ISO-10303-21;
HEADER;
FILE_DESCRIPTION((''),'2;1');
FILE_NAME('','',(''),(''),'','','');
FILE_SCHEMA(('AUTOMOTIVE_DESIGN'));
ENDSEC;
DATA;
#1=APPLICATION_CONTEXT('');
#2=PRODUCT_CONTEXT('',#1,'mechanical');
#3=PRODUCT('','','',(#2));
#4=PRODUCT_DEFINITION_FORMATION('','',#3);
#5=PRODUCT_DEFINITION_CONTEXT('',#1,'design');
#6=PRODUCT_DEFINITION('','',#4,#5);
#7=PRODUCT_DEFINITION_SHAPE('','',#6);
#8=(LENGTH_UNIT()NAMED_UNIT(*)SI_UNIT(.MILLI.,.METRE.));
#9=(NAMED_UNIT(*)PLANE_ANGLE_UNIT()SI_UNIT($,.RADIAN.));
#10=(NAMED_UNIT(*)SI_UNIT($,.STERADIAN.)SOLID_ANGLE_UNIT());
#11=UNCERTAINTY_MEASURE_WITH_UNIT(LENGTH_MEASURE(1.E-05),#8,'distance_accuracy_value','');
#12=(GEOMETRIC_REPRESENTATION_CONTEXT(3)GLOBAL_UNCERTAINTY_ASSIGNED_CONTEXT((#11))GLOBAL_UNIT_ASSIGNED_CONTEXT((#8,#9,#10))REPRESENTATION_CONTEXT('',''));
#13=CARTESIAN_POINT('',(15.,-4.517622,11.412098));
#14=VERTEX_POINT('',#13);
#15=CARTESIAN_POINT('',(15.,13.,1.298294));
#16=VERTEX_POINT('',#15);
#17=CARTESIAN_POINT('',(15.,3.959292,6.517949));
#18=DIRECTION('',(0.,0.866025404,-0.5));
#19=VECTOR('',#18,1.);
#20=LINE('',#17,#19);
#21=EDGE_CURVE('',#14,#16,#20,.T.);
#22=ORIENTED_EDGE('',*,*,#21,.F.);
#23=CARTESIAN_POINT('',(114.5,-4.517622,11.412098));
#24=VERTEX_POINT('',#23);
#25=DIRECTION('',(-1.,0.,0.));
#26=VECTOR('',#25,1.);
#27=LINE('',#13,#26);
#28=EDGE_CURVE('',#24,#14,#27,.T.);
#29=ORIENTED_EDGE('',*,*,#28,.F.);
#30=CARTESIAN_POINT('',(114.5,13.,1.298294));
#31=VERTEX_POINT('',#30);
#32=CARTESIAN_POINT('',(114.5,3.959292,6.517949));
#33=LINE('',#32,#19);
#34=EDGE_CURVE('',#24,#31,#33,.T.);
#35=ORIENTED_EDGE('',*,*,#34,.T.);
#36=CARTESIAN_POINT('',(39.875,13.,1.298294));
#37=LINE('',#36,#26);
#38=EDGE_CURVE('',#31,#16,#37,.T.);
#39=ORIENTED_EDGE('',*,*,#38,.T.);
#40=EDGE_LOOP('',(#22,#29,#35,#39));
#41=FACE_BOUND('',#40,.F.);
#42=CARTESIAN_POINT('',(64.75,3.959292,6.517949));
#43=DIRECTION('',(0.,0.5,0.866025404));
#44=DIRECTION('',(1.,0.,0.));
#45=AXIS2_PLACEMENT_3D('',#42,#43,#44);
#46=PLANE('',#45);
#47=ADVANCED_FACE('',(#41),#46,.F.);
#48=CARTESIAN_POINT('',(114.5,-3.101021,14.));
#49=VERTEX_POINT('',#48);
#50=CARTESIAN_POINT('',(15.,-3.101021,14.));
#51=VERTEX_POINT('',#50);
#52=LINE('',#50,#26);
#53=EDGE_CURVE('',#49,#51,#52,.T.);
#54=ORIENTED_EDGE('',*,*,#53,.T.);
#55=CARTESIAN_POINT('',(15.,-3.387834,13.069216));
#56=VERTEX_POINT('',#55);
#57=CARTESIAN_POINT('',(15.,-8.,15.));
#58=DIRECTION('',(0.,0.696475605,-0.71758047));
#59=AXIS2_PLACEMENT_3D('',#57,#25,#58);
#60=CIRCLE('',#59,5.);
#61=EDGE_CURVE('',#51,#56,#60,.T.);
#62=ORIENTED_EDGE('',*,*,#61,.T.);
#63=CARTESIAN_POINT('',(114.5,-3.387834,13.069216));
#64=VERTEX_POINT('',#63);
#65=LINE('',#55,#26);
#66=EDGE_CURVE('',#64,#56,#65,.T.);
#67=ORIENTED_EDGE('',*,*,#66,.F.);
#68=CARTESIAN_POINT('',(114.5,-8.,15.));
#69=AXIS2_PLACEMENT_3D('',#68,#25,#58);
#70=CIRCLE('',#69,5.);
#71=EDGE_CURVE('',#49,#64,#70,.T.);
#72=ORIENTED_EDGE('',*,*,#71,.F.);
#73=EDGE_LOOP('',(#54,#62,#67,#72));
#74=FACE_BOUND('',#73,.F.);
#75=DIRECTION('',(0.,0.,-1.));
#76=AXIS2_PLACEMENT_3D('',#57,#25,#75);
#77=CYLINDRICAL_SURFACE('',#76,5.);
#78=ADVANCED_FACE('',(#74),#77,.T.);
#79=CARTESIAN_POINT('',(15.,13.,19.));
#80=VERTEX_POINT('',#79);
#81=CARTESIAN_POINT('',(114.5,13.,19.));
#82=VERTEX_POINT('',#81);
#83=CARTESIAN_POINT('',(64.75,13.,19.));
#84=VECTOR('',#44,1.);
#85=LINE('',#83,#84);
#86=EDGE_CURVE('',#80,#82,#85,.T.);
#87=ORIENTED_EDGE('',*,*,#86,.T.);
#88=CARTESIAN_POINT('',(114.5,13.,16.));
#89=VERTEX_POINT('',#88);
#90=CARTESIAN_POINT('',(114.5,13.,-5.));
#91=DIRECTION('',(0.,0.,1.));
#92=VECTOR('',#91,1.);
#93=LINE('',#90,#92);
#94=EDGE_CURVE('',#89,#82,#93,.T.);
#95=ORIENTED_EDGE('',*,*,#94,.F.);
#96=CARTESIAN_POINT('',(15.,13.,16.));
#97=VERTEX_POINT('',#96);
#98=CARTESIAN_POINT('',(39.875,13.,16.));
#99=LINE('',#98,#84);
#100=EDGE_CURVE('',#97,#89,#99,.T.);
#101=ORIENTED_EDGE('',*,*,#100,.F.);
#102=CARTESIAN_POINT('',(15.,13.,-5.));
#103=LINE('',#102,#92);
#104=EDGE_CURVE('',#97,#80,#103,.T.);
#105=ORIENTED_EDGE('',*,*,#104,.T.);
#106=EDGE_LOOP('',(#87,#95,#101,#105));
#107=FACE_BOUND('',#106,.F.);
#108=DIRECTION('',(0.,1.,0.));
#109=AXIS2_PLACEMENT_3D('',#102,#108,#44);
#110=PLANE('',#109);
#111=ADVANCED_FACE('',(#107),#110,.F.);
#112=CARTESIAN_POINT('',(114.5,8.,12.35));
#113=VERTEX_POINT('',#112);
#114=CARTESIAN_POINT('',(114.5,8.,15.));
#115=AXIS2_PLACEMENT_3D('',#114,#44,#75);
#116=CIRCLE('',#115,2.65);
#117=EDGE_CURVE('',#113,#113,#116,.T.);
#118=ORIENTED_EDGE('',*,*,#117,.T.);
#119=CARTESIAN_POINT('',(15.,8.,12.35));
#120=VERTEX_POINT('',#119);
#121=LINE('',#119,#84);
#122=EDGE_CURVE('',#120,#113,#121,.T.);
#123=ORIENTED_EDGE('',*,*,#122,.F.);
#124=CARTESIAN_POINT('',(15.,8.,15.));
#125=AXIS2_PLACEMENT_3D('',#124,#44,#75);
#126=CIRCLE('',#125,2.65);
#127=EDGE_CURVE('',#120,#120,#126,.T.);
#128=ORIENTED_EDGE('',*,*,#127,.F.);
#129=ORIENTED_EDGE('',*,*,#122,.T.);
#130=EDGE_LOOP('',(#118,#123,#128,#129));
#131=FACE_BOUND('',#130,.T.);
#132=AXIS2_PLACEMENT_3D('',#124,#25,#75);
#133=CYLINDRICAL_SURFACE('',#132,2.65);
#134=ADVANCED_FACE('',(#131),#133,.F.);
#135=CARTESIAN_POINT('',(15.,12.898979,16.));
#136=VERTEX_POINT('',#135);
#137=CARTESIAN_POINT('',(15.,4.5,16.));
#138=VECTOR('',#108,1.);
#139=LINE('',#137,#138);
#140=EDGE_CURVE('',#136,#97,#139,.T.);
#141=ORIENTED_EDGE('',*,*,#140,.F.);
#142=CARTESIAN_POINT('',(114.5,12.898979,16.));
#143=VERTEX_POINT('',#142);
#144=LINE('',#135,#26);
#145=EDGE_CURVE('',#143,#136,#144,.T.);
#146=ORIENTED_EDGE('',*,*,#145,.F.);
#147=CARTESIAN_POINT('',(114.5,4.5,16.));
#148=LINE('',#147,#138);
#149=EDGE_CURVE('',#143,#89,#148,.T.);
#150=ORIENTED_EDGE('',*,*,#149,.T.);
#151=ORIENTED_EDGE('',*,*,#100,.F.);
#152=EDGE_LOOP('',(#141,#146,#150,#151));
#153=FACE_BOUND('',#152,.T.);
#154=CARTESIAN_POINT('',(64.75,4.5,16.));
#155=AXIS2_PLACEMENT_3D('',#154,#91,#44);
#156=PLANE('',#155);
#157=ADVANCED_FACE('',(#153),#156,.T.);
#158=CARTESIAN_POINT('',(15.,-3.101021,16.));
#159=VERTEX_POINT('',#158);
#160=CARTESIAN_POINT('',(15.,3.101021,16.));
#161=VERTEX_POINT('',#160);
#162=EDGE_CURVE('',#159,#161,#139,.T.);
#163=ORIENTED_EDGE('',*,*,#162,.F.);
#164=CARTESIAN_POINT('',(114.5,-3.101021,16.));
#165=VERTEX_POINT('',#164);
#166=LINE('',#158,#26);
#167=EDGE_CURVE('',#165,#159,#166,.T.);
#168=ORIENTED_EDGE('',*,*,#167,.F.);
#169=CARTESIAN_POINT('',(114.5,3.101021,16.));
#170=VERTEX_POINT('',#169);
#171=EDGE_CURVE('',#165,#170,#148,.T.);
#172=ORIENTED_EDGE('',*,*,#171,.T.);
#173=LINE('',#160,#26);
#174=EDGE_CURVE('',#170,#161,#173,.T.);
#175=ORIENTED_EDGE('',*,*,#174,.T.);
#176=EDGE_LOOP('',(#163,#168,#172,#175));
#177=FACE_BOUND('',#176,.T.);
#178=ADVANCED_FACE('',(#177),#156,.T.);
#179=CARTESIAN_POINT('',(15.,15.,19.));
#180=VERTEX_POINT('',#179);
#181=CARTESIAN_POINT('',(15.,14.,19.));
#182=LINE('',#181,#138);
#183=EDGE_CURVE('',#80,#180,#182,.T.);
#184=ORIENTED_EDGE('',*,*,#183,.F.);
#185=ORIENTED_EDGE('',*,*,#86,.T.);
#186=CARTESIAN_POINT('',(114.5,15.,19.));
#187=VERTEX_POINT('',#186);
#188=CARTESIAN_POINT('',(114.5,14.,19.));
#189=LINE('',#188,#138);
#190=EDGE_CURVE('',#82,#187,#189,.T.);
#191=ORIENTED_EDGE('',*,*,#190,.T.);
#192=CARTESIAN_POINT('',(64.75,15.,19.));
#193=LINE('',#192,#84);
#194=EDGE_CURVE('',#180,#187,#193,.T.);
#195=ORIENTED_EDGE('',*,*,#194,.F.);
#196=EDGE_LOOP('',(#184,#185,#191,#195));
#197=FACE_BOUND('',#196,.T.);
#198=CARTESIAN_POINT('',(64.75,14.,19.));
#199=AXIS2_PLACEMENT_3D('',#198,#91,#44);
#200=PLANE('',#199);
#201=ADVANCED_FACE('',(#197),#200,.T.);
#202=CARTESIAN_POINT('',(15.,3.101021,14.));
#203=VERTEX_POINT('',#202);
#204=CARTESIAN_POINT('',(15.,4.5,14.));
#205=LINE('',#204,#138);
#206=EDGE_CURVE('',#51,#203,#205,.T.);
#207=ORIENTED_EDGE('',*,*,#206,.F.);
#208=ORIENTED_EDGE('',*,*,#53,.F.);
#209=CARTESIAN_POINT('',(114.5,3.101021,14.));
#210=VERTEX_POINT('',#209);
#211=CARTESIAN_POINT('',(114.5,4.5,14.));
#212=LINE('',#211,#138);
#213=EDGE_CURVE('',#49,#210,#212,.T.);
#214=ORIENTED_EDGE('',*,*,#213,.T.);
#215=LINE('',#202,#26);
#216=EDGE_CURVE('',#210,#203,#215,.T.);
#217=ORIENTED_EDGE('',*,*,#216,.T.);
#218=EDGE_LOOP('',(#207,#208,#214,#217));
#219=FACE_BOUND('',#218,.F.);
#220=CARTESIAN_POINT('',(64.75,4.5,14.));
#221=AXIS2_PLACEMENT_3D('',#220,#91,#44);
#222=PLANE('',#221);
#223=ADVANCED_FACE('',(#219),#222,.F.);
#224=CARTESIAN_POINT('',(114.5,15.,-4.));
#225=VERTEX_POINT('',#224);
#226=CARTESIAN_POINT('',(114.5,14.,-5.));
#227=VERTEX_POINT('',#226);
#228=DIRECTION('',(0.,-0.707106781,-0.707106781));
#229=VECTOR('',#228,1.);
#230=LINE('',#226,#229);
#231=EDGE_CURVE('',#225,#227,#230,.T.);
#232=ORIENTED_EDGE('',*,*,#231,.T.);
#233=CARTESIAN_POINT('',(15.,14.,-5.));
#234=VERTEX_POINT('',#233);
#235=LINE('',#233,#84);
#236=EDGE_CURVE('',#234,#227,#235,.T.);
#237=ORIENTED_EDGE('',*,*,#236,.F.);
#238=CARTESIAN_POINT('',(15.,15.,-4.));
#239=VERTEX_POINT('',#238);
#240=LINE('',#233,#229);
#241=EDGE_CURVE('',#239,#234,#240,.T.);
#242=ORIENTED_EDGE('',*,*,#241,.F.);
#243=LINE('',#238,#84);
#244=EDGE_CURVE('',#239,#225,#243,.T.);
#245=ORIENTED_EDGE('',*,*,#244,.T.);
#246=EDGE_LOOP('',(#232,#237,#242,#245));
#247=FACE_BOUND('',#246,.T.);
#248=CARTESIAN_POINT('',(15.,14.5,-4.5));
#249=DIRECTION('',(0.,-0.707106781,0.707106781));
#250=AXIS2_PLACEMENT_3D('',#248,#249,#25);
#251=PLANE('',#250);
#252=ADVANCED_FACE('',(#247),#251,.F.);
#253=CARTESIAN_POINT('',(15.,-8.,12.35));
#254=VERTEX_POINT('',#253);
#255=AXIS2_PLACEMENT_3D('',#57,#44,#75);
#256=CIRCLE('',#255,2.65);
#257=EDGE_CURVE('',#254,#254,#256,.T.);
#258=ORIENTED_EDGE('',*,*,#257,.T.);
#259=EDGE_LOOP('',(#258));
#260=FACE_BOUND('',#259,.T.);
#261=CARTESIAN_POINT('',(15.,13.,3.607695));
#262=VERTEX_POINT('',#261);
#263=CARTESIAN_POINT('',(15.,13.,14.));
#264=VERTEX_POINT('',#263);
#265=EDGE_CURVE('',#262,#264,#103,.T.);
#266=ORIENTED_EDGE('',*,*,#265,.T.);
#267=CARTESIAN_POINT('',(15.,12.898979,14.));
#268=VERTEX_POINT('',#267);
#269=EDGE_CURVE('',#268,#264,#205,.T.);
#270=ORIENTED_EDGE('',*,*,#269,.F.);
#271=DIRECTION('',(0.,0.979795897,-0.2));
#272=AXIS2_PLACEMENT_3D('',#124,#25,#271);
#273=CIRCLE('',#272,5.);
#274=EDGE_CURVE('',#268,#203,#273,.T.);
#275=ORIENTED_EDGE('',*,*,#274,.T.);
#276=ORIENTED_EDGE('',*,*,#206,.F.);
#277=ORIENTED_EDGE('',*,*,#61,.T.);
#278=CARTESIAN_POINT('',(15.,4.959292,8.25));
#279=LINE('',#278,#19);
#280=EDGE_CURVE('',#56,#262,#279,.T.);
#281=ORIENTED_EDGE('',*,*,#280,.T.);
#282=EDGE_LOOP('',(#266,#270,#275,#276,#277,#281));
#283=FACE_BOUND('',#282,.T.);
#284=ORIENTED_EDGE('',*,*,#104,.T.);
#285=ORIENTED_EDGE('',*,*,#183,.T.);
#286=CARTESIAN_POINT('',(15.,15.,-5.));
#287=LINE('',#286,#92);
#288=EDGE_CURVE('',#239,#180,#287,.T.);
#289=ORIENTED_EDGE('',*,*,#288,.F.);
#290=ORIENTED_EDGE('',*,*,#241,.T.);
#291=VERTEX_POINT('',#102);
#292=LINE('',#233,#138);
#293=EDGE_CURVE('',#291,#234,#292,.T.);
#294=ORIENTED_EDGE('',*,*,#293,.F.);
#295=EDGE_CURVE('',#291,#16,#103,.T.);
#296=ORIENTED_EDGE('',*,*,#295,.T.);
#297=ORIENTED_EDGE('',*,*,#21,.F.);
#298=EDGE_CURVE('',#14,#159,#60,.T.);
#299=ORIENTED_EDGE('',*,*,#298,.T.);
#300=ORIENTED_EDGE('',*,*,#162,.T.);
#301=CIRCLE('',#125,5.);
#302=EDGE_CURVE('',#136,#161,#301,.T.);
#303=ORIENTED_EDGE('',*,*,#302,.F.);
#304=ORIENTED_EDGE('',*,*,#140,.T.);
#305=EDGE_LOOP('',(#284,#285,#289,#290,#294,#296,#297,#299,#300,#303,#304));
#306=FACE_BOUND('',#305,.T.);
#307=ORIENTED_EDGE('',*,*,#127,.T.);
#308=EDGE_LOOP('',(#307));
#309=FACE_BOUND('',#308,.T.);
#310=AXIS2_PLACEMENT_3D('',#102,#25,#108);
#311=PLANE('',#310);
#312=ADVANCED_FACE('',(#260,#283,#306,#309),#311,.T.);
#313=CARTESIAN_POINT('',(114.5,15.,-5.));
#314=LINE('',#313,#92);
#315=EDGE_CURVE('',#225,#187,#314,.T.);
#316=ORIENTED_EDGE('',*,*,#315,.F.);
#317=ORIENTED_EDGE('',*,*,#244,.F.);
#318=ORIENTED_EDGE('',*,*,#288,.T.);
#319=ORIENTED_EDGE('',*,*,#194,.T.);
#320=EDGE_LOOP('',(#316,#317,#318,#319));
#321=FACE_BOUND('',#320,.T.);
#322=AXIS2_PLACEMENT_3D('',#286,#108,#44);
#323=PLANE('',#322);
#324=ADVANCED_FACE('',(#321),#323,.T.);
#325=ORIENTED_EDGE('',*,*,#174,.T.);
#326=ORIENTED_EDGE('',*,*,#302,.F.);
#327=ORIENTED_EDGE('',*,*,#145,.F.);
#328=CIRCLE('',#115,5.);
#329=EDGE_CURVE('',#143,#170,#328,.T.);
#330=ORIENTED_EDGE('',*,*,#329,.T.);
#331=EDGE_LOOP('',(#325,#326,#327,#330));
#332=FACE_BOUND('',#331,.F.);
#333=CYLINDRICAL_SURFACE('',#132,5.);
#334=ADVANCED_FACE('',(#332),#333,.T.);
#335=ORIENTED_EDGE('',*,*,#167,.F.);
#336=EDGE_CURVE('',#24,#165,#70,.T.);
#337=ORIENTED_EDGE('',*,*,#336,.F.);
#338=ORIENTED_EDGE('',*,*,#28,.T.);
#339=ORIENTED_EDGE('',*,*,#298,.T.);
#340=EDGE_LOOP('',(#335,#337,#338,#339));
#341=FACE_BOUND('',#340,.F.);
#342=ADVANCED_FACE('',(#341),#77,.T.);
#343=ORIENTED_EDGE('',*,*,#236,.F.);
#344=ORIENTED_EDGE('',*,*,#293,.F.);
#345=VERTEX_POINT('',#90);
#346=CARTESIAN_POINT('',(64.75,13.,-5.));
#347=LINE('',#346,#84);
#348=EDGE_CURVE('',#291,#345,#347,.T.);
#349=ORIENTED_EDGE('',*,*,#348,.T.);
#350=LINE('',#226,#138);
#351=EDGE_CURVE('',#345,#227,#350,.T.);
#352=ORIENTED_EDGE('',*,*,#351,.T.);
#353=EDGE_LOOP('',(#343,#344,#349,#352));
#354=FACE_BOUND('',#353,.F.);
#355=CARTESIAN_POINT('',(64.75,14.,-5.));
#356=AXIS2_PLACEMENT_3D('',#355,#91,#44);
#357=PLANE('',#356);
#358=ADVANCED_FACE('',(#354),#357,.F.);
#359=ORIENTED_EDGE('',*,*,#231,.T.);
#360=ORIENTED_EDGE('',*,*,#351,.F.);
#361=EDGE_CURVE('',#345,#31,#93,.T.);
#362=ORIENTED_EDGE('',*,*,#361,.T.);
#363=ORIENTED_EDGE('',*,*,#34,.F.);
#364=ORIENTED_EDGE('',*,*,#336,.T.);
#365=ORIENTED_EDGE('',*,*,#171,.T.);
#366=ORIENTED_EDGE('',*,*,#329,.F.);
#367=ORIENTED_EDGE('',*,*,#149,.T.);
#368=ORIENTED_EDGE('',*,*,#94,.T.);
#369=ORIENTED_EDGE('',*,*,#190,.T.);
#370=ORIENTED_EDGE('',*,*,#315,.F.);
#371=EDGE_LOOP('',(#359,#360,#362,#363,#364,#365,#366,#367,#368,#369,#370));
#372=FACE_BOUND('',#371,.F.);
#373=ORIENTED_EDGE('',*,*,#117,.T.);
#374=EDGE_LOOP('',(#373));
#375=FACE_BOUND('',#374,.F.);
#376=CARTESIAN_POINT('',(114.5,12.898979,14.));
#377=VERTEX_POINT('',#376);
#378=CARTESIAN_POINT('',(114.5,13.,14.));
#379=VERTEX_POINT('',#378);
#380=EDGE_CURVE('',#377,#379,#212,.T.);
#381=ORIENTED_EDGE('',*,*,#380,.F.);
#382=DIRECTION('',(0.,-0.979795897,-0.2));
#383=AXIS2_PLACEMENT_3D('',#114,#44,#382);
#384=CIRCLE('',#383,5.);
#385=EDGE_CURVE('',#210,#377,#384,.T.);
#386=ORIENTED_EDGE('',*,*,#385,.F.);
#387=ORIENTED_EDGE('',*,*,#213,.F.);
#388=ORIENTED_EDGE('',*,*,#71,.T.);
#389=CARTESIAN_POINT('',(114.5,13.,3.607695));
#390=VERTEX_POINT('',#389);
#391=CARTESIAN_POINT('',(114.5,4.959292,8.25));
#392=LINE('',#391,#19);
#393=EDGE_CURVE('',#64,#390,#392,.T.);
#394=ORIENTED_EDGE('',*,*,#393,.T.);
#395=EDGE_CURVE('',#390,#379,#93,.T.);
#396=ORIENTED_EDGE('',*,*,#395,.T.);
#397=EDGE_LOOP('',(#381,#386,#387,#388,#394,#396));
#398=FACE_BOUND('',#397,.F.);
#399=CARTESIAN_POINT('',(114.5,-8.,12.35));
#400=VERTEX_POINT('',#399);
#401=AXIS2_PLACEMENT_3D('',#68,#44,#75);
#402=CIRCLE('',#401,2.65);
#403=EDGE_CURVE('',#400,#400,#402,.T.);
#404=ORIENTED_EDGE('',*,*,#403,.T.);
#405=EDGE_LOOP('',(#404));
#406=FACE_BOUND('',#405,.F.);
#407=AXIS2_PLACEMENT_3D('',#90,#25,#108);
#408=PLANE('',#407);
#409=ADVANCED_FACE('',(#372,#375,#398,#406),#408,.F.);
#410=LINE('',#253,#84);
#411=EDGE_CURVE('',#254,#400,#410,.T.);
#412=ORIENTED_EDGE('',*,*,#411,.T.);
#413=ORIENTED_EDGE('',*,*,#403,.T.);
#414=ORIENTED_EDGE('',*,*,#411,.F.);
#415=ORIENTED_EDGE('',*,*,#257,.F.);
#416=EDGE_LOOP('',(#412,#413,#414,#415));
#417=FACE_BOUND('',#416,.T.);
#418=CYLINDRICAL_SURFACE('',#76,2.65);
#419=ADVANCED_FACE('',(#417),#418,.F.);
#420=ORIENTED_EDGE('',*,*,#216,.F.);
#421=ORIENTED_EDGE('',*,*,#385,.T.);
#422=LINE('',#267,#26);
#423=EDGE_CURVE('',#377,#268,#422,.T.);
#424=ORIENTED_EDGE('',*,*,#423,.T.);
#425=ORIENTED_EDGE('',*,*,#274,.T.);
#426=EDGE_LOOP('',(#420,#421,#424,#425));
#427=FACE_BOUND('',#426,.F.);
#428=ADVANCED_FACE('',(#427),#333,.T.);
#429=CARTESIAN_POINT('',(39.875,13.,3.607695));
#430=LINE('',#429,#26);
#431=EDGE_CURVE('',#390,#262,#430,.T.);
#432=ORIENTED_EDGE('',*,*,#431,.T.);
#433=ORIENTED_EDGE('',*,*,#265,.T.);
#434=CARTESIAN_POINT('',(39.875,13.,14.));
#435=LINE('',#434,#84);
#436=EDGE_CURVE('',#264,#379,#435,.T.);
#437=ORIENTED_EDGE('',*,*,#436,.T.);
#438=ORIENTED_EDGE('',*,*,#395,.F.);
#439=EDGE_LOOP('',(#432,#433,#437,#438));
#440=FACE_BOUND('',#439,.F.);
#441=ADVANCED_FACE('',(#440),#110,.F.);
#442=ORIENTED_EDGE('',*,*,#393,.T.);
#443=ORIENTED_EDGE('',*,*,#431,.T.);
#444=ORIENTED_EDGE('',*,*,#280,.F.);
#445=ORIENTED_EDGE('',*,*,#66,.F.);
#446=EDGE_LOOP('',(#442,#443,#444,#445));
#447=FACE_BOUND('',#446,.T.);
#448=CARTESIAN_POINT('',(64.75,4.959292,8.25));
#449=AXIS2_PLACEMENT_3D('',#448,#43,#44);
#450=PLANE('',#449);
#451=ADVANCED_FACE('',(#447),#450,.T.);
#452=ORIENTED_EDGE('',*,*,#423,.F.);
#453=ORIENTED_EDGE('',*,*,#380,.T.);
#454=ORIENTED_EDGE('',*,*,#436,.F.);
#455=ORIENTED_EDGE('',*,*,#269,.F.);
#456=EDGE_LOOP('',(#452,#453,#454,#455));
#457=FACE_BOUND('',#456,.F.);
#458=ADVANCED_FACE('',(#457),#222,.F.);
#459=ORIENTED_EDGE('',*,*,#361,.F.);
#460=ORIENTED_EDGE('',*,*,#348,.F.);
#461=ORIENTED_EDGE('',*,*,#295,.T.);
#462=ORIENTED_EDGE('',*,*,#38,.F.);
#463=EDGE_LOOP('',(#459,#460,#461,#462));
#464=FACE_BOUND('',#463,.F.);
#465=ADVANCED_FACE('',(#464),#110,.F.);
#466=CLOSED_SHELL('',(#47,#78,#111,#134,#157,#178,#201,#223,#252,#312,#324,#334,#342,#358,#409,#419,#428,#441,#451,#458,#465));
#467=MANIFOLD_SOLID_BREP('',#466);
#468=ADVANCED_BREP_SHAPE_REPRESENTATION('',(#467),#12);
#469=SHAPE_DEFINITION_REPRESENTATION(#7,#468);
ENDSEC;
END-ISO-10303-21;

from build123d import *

# Parameters (mm, degrees)
CYLINDER048_R          = 2.65
CYLINDER048_DEPTH      = 99.5
CYLINDER049_R          = 2.65
CYLINDER049_DEPTH      = 99.5
CYLINDER047_R          = 5
CYLINDER047_DEPTH      = 99.5
BOX043_W               = 99.5
BOX043_H               = 23
BOX043_DEPTH           = 2
BOX043_PLACEMENT_ANGLE = 30
BOX044_W               = 99.5
BOX044_H               = 2
BOX044_DEPTH           = 24
BOX045_W               = 99.5
BOX045_H               = 19
BOX045_DEPTH           = 2
CYLINDER050_R          = 5
CYLINDER050_DEPTH      = 99.5
CHAMFER006037_SIZE     = 1


with BuildPart() as cylinder048:
    # Cylinder048 → Cylinder048 (new body)
    with BuildSketch(Plane(origin=(15, 8, 15), x_dir=(0, 0, -1), z_dir=(1, 0, 0))):
        Circle(CYLINDER048_R)
    extrude(amount=CYLINDER048_DEPTH)


with BuildPart() as fusion020006007003002009018004004017:
    # Cylinder049 → Cylinder049 (new body)
    with BuildSketch(Plane(origin=(15, -8, 15), x_dir=(0, 0, -1), z_dir=(1, 0, 0))):
        Circle(CYLINDER049_R)
    extrude(amount=CYLINDER049_DEPTH)

    # Fusion020006007003002009018004004017: union Cylinder048
    add(cylinder048.part)


with BuildPart() as cylinder047:
    # Cylinder047 → Cylinder047 (new body)
    with BuildSketch(Plane(origin=(15, 8, 15), x_dir=(0, 0, -1), z_dir=(1, 0, 0))):
        Circle(CYLINDER047_R)
    extrude(amount=CYLINDER047_DEPTH)


with BuildPart() as cube043:
    # Box043 → Box043 (new body)
    with BuildSketch(Plane.XY):
        with Locations((49.75, 11.5)):
            Rectangle(BOX043_W, BOX043_H)
    extrude(amount=BOX043_DEPTH)


with BuildPart() as cube043_1:
    # Box043 placement: moved
    add(cube043.part.moved(Location((15, -6, 12.267949))).rotate(Axis((15, -6, 12.267949), (-1, 0, 0)), BOX043_PLACEMENT_ANGLE))


with BuildPart() as cube044:
    # Box044 → Box044 (new body)
    with BuildSketch(Plane(origin=(15, 13, -5), x_dir=(1, 0, 0), z_dir=(0, 0, 1))):
        with Locations((49.75, 1)):
            Rectangle(BOX044_W, BOX044_H)
    extrude(amount=BOX044_DEPTH)


with BuildPart() as cube045:
    # Box045 → Box045 (new body)
    with BuildSketch(Plane(origin=(15, -5, 14), x_dir=(1, 0, 0), z_dir=(0, 0, 1))):
        with Locations((49.75, 9.5)):
            Rectangle(BOX045_W, BOX045_H)
    extrude(amount=BOX045_DEPTH)


with BuildPart() as bottom_fb_100mm_wall:
    # Cylinder050 → Cylinder050 (new body)
    with BuildSketch(Plane(origin=(15, -8, 15), x_dir=(0, 0, -1), z_dir=(1, 0, 0))):
        Circle(CYLINDER050_R)
    extrude(amount=CYLINDER050_DEPTH)

    # Fusion020006007003002009018004004016: union Cylinder047, Cube043, Cube044, Cube045
    add(cylinder047.part)
    add(cube043_1.part)
    add(cube044.part)
    add(cube045.part)

    # Chamfer006037
    chamfer006037_edges = [bottom_fb_100mm_wall.edges().sort_by_distance(p)[0] for p in [
        (64.75, 15, -5),
    ]]
    chamfer(chamfer006037_edges, length=CHAMFER006037_SIZE)

    # Cut019003007: cut Fusion020006007003002009018004004017
    add(fusion020006007003002009018004004017.part, mode=Mode.SUBTRACT)


solid = bottom_fb_100mm_wall.part
